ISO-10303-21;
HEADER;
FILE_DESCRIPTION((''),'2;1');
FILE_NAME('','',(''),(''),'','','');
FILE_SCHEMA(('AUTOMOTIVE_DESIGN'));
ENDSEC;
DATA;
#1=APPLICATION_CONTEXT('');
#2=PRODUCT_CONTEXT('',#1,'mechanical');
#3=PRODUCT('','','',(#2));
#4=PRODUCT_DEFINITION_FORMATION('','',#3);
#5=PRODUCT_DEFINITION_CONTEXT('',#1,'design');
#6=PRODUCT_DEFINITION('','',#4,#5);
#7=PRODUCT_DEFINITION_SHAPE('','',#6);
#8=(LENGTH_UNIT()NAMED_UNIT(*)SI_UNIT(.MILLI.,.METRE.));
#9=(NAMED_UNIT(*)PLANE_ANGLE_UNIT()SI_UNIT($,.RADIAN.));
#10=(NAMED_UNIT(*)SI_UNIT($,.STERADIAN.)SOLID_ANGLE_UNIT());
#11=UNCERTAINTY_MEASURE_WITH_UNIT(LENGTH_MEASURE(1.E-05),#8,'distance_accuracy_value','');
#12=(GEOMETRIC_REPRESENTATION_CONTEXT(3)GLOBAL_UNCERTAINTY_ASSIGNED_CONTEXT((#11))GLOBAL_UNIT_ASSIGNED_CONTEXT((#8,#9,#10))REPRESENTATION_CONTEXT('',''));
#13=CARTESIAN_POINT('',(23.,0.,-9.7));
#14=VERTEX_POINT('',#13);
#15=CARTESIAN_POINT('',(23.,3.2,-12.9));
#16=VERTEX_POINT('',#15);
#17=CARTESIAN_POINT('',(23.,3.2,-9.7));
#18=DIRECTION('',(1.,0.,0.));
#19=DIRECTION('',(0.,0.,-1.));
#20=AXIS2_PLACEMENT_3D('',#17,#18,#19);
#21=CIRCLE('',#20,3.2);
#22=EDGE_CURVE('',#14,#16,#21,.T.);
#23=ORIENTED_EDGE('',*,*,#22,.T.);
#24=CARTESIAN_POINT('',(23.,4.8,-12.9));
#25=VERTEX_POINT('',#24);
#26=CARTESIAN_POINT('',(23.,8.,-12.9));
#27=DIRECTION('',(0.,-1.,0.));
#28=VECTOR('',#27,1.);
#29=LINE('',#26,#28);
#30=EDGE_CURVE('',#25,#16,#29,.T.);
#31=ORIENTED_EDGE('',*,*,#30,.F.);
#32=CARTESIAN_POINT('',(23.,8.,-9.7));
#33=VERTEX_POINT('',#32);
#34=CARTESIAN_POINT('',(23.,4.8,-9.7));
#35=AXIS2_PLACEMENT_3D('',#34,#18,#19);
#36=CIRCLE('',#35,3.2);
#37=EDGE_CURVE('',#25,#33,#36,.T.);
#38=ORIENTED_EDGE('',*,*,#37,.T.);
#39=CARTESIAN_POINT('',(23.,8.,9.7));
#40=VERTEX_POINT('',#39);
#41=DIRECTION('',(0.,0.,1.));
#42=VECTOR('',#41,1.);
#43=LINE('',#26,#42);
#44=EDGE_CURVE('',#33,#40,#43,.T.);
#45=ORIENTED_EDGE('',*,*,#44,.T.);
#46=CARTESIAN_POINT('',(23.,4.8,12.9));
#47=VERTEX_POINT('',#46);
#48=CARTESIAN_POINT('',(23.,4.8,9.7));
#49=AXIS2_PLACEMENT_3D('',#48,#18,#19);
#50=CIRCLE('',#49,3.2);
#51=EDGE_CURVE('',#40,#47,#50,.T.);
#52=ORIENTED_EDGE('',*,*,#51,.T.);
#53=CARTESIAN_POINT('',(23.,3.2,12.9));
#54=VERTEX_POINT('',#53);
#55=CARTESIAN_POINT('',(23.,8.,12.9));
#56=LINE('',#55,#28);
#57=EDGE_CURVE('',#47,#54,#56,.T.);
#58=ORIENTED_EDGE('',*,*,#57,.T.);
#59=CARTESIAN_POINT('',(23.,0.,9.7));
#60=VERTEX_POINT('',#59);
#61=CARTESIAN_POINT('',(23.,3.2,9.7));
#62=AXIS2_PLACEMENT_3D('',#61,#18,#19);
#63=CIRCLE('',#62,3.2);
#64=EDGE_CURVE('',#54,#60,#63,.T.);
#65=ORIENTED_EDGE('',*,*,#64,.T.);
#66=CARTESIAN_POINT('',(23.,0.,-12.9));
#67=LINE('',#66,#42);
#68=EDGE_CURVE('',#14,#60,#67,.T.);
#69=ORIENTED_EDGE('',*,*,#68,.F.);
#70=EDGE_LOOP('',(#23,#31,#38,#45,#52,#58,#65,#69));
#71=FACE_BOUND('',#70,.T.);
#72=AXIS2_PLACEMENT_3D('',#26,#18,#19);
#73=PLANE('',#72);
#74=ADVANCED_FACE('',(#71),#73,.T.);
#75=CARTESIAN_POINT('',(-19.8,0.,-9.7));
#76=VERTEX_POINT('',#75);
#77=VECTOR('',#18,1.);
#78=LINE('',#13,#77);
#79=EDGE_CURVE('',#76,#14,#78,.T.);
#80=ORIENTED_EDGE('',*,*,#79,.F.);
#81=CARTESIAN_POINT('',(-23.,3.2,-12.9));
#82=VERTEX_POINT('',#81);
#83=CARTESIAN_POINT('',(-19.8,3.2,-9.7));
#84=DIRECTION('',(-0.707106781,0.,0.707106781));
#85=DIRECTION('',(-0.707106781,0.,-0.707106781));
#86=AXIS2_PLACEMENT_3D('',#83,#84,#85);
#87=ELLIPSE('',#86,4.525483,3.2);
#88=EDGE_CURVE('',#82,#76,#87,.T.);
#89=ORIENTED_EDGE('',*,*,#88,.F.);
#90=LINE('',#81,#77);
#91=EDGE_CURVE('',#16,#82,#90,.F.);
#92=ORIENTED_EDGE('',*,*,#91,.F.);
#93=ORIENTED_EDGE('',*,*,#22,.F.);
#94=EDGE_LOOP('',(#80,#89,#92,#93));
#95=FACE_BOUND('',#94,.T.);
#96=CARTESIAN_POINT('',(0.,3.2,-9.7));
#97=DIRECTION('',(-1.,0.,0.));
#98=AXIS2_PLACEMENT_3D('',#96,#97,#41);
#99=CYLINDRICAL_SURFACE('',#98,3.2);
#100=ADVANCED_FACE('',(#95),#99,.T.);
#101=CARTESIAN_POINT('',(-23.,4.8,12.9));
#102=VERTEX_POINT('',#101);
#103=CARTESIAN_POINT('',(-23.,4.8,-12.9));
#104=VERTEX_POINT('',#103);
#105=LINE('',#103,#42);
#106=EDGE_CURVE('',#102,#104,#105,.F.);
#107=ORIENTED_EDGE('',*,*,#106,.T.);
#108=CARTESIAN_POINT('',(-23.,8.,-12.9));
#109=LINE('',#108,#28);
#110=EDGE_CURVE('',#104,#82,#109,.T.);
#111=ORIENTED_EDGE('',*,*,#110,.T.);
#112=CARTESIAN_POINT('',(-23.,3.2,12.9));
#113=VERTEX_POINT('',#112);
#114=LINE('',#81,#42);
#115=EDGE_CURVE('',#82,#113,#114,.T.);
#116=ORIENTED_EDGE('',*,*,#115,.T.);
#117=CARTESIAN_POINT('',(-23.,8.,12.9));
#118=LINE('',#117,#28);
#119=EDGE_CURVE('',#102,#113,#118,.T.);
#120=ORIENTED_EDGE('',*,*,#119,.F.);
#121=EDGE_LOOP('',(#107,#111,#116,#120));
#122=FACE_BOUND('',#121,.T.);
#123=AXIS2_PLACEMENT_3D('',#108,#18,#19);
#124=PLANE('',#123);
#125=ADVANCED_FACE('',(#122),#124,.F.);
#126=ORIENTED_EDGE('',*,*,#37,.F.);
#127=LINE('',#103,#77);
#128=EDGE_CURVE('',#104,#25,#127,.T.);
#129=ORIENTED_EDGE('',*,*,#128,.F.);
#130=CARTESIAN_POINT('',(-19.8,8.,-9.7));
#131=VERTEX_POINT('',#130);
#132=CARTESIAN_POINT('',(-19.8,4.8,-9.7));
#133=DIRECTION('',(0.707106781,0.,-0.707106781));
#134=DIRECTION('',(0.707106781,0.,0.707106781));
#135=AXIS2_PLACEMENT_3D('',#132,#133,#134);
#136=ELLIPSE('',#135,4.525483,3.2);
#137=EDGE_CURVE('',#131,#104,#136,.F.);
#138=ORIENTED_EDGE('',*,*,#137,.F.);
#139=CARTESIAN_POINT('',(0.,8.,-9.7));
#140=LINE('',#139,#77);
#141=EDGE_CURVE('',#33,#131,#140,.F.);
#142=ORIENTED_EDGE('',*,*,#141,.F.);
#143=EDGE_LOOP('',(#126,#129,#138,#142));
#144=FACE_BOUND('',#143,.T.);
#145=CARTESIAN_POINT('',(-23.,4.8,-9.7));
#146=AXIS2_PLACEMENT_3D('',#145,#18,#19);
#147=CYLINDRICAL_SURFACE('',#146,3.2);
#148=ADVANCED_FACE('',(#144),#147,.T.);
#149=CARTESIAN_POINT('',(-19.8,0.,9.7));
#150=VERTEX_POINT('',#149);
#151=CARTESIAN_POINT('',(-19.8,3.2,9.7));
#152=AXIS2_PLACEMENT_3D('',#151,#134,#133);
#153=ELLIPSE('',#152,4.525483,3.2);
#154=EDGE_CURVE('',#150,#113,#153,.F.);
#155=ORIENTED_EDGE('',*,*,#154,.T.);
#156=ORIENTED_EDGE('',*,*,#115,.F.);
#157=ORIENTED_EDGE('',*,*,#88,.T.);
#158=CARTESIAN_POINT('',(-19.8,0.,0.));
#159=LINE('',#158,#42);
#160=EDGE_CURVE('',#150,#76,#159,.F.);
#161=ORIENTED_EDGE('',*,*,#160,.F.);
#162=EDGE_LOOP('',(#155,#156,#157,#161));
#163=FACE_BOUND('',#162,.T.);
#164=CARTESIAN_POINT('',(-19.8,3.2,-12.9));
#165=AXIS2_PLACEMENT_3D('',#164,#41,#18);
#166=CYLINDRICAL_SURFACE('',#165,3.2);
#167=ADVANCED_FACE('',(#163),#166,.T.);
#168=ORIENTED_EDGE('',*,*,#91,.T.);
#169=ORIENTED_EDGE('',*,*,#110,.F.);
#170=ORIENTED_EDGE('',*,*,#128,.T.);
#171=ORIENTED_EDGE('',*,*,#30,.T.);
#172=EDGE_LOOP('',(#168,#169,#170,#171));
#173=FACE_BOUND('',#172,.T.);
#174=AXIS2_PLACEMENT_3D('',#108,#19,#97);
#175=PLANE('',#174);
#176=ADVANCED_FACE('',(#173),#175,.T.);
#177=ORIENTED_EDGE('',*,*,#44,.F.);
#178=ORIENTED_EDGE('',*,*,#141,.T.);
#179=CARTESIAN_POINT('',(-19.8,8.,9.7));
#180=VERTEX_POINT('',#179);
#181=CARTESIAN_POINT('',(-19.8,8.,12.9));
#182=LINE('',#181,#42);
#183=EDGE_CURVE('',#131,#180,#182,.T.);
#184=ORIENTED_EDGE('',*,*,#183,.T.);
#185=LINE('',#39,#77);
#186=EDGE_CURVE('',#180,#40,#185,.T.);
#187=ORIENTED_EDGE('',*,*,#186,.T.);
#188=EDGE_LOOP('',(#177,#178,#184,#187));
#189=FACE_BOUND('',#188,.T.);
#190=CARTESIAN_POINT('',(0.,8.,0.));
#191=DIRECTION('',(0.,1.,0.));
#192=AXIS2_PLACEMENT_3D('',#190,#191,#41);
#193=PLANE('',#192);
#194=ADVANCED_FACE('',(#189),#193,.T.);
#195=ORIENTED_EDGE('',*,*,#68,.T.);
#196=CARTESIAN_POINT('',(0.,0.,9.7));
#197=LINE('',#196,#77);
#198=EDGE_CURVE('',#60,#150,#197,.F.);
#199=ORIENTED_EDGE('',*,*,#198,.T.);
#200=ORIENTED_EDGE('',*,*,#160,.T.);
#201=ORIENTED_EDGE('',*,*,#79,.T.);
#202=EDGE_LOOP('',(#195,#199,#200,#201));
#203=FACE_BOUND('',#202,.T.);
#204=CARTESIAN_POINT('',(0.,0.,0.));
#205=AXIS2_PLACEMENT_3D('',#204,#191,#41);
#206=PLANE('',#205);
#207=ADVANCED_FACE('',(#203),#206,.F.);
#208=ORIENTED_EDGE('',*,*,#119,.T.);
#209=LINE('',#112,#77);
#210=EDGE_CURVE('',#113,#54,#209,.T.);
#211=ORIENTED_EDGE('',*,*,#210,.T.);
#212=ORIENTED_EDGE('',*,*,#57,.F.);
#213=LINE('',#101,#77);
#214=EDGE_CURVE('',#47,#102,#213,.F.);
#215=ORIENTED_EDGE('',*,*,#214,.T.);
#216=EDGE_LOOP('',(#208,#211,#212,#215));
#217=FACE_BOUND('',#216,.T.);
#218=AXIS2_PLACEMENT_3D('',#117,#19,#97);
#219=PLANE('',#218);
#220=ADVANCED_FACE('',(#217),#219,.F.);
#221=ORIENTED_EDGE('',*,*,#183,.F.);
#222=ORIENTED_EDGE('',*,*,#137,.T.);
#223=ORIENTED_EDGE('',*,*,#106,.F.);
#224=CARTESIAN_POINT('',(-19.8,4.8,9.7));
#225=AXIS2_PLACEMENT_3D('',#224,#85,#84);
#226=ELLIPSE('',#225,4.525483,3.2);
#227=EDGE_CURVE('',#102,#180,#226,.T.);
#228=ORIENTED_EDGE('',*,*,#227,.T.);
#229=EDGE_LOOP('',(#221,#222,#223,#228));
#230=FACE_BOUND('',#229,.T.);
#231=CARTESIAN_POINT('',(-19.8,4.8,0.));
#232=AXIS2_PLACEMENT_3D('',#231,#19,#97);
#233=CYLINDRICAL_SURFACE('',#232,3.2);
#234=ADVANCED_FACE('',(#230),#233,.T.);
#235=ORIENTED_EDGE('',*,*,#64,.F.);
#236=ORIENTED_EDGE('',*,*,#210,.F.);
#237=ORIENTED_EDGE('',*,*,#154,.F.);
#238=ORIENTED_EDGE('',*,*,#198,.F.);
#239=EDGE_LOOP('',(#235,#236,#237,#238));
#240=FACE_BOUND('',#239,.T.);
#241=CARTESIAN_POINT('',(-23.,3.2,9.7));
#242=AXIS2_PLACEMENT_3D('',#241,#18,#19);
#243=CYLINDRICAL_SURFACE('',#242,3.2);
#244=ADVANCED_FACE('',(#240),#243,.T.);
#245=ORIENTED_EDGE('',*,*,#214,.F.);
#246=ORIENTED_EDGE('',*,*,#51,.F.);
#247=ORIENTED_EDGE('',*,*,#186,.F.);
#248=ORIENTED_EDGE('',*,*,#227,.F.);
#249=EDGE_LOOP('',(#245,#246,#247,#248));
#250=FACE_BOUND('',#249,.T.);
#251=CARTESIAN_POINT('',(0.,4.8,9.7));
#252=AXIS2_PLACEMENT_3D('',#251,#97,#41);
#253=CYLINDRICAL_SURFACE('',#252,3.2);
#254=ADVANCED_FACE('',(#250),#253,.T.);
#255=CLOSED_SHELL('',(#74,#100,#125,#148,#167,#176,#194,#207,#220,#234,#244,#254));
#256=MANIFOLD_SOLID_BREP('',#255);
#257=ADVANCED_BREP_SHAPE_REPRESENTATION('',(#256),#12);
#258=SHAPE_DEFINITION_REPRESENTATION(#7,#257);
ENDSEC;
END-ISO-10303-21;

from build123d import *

# Parameters (mm, degrees)
SKETCH_1_W      = 46
SKETCH_1_H      = 25.8
EXTRUDE_1_DEPTH = 8
FILLET_1_R      = 3.2


with BuildPart() as part:
    # 草图1 → 凸台-拉伸1 (new body)
    with BuildSketch(Plane(origin=(0, 0, 0), x_dir=(1, 0, 0), z_dir=(0, 1, 0))):
        Rectangle(SKETCH_1_W, SKETCH_1_H)
    extrude(amount=EXTRUDE_1_DEPTH)

    # 圆角1
    fillet_1_edges = [part.edges().sort_by_distance(p)[0] for p in [
        (0, 8, -12.9),
        (-23, 8, 0),
        (0, 0, -12.9),
        (0, 0, 12.9),
        (-23, 0, 0),
        (0, 8, 12.9),
    ]]
    fillet(fillet_1_edges, radius=FILLET_1_R)


solid = part.part
